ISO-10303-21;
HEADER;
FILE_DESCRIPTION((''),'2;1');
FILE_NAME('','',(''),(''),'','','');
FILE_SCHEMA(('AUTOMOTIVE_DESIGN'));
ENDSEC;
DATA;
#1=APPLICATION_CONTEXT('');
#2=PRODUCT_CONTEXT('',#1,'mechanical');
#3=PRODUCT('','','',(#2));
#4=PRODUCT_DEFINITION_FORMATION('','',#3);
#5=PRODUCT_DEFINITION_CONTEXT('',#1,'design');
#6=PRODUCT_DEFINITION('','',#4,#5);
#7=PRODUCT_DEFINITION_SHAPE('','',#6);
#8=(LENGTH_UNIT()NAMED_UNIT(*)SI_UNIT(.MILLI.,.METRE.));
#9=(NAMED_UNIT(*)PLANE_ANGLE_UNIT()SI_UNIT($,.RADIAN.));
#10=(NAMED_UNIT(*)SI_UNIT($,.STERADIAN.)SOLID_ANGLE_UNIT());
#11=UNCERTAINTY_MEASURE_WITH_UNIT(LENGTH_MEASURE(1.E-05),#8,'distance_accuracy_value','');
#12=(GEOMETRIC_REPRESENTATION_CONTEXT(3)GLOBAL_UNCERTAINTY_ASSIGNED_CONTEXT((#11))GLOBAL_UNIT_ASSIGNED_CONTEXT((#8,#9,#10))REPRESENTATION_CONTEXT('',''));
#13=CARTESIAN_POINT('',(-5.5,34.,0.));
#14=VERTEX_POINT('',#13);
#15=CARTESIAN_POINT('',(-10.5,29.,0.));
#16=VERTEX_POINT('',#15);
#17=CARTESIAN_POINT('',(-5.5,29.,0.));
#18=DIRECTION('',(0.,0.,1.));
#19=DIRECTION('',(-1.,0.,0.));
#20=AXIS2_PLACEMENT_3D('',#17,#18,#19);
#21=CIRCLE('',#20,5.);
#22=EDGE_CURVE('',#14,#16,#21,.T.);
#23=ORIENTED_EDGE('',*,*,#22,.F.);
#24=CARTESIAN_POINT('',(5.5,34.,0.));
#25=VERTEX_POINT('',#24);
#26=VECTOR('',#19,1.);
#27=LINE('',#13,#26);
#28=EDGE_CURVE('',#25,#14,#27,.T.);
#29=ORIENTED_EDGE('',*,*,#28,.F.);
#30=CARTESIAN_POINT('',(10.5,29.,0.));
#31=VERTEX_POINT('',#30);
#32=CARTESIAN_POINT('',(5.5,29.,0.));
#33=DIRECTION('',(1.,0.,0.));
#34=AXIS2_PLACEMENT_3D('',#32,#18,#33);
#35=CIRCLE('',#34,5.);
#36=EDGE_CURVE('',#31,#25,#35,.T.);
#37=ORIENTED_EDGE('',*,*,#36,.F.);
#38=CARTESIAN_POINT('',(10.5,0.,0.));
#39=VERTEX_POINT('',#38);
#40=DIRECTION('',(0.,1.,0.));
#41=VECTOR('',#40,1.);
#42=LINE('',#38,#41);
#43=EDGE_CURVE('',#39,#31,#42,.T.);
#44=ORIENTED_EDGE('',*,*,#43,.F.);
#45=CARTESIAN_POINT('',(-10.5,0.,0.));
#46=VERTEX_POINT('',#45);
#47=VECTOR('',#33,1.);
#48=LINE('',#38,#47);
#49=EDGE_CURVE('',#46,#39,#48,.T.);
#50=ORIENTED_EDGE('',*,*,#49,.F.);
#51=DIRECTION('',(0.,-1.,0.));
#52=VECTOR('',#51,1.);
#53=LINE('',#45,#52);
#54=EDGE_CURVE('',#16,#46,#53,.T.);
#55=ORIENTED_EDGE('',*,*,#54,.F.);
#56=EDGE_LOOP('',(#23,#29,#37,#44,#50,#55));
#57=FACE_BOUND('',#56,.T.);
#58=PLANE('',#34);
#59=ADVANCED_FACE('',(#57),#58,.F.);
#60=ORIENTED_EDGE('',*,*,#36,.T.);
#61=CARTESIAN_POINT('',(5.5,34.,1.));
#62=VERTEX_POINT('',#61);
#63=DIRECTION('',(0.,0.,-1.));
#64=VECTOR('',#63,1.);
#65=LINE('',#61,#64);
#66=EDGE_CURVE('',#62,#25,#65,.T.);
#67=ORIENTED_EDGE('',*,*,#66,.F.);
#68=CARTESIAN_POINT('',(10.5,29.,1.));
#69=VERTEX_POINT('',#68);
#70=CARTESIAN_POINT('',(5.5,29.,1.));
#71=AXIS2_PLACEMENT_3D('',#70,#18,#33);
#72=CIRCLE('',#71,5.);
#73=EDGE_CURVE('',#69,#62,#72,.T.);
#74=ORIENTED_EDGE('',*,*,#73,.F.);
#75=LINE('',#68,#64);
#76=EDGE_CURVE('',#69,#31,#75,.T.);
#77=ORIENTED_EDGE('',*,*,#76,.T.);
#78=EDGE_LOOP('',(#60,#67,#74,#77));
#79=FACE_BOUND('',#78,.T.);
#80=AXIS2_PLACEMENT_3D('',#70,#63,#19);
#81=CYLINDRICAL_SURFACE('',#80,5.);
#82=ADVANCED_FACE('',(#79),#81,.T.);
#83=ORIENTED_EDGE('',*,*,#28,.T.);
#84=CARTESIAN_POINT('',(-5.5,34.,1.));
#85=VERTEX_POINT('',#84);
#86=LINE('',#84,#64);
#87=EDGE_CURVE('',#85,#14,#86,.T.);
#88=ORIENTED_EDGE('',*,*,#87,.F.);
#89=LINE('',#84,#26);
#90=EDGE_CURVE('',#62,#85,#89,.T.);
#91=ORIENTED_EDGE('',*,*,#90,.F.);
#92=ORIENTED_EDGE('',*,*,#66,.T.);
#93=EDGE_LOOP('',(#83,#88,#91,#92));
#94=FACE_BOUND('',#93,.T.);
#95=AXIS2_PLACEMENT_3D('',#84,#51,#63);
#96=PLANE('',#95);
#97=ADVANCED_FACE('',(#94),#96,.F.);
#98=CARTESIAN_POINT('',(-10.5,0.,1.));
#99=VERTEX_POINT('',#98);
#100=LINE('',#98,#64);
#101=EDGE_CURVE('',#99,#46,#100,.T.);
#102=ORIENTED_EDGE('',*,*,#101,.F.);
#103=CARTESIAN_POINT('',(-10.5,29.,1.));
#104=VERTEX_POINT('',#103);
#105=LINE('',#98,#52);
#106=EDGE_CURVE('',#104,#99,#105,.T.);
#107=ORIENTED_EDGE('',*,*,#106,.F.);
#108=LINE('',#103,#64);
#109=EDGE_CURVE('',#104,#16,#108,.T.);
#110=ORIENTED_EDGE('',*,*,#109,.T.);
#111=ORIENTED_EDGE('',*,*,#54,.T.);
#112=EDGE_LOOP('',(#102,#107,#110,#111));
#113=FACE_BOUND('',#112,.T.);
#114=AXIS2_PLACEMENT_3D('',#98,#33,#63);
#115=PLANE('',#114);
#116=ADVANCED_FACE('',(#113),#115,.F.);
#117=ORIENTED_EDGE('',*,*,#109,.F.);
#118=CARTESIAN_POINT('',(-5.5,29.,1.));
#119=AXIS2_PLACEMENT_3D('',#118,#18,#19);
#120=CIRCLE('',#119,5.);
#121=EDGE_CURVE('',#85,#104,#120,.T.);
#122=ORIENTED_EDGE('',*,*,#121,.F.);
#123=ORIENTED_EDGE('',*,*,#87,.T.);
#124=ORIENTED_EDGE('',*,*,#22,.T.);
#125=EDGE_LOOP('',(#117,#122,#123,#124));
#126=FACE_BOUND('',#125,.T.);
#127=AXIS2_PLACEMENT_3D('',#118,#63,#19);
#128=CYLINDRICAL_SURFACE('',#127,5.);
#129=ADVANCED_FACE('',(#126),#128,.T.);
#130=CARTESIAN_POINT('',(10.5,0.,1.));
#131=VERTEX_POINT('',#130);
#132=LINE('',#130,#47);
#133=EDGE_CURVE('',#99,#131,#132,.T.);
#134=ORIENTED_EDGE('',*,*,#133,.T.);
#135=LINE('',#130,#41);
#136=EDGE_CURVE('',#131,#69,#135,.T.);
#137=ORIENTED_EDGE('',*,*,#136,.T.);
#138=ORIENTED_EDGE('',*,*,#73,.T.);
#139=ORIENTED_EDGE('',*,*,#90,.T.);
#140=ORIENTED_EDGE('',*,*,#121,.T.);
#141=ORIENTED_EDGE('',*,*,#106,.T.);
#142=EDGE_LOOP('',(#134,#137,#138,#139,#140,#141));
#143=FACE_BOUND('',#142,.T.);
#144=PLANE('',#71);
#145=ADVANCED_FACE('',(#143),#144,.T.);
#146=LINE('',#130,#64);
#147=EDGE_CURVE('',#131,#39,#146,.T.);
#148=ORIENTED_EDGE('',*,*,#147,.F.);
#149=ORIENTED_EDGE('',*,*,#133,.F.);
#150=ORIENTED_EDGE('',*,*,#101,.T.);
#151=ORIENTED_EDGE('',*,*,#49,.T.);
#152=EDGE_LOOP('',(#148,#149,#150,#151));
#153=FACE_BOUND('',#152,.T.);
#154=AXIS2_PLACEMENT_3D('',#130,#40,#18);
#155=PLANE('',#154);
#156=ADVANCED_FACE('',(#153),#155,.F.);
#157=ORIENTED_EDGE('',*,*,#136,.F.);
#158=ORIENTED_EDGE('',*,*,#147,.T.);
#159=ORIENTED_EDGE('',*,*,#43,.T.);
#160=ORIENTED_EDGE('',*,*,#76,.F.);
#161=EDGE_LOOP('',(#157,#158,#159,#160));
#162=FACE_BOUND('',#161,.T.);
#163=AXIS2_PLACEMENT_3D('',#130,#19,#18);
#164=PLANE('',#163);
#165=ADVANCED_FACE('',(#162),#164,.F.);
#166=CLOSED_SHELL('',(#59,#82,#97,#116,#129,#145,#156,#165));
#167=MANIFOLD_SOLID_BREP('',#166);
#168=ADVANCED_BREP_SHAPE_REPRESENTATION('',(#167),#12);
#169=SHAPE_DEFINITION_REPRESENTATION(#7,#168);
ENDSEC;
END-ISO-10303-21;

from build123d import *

# Parameters (mm, degrees)
EXTRUDE_1_DEPTH = 1


with BuildPart() as part:
    # 草图1 → 凸台-拉伸1 (new body)
    with BuildSketch(Plane.XY):
        with BuildLine():
            Line((10.5, 0), (-10.5, 0))
            Line((-10.5, 0), (-10.5, 29))
            ThreePointArc((-10.5, 29), (-9.035533906, 32.535533906), (-5.5, 34))
            Line((-5.5, 34), (5.5, 34))
            ThreePointArc((5.5, 34), (9.035533906, 32.535533906), (10.5, 29))
            Line((10.5, 29), (10.5, 0))
        make_face()
    extrude(amount=EXTRUDE_1_DEPTH)


solid = part.part
